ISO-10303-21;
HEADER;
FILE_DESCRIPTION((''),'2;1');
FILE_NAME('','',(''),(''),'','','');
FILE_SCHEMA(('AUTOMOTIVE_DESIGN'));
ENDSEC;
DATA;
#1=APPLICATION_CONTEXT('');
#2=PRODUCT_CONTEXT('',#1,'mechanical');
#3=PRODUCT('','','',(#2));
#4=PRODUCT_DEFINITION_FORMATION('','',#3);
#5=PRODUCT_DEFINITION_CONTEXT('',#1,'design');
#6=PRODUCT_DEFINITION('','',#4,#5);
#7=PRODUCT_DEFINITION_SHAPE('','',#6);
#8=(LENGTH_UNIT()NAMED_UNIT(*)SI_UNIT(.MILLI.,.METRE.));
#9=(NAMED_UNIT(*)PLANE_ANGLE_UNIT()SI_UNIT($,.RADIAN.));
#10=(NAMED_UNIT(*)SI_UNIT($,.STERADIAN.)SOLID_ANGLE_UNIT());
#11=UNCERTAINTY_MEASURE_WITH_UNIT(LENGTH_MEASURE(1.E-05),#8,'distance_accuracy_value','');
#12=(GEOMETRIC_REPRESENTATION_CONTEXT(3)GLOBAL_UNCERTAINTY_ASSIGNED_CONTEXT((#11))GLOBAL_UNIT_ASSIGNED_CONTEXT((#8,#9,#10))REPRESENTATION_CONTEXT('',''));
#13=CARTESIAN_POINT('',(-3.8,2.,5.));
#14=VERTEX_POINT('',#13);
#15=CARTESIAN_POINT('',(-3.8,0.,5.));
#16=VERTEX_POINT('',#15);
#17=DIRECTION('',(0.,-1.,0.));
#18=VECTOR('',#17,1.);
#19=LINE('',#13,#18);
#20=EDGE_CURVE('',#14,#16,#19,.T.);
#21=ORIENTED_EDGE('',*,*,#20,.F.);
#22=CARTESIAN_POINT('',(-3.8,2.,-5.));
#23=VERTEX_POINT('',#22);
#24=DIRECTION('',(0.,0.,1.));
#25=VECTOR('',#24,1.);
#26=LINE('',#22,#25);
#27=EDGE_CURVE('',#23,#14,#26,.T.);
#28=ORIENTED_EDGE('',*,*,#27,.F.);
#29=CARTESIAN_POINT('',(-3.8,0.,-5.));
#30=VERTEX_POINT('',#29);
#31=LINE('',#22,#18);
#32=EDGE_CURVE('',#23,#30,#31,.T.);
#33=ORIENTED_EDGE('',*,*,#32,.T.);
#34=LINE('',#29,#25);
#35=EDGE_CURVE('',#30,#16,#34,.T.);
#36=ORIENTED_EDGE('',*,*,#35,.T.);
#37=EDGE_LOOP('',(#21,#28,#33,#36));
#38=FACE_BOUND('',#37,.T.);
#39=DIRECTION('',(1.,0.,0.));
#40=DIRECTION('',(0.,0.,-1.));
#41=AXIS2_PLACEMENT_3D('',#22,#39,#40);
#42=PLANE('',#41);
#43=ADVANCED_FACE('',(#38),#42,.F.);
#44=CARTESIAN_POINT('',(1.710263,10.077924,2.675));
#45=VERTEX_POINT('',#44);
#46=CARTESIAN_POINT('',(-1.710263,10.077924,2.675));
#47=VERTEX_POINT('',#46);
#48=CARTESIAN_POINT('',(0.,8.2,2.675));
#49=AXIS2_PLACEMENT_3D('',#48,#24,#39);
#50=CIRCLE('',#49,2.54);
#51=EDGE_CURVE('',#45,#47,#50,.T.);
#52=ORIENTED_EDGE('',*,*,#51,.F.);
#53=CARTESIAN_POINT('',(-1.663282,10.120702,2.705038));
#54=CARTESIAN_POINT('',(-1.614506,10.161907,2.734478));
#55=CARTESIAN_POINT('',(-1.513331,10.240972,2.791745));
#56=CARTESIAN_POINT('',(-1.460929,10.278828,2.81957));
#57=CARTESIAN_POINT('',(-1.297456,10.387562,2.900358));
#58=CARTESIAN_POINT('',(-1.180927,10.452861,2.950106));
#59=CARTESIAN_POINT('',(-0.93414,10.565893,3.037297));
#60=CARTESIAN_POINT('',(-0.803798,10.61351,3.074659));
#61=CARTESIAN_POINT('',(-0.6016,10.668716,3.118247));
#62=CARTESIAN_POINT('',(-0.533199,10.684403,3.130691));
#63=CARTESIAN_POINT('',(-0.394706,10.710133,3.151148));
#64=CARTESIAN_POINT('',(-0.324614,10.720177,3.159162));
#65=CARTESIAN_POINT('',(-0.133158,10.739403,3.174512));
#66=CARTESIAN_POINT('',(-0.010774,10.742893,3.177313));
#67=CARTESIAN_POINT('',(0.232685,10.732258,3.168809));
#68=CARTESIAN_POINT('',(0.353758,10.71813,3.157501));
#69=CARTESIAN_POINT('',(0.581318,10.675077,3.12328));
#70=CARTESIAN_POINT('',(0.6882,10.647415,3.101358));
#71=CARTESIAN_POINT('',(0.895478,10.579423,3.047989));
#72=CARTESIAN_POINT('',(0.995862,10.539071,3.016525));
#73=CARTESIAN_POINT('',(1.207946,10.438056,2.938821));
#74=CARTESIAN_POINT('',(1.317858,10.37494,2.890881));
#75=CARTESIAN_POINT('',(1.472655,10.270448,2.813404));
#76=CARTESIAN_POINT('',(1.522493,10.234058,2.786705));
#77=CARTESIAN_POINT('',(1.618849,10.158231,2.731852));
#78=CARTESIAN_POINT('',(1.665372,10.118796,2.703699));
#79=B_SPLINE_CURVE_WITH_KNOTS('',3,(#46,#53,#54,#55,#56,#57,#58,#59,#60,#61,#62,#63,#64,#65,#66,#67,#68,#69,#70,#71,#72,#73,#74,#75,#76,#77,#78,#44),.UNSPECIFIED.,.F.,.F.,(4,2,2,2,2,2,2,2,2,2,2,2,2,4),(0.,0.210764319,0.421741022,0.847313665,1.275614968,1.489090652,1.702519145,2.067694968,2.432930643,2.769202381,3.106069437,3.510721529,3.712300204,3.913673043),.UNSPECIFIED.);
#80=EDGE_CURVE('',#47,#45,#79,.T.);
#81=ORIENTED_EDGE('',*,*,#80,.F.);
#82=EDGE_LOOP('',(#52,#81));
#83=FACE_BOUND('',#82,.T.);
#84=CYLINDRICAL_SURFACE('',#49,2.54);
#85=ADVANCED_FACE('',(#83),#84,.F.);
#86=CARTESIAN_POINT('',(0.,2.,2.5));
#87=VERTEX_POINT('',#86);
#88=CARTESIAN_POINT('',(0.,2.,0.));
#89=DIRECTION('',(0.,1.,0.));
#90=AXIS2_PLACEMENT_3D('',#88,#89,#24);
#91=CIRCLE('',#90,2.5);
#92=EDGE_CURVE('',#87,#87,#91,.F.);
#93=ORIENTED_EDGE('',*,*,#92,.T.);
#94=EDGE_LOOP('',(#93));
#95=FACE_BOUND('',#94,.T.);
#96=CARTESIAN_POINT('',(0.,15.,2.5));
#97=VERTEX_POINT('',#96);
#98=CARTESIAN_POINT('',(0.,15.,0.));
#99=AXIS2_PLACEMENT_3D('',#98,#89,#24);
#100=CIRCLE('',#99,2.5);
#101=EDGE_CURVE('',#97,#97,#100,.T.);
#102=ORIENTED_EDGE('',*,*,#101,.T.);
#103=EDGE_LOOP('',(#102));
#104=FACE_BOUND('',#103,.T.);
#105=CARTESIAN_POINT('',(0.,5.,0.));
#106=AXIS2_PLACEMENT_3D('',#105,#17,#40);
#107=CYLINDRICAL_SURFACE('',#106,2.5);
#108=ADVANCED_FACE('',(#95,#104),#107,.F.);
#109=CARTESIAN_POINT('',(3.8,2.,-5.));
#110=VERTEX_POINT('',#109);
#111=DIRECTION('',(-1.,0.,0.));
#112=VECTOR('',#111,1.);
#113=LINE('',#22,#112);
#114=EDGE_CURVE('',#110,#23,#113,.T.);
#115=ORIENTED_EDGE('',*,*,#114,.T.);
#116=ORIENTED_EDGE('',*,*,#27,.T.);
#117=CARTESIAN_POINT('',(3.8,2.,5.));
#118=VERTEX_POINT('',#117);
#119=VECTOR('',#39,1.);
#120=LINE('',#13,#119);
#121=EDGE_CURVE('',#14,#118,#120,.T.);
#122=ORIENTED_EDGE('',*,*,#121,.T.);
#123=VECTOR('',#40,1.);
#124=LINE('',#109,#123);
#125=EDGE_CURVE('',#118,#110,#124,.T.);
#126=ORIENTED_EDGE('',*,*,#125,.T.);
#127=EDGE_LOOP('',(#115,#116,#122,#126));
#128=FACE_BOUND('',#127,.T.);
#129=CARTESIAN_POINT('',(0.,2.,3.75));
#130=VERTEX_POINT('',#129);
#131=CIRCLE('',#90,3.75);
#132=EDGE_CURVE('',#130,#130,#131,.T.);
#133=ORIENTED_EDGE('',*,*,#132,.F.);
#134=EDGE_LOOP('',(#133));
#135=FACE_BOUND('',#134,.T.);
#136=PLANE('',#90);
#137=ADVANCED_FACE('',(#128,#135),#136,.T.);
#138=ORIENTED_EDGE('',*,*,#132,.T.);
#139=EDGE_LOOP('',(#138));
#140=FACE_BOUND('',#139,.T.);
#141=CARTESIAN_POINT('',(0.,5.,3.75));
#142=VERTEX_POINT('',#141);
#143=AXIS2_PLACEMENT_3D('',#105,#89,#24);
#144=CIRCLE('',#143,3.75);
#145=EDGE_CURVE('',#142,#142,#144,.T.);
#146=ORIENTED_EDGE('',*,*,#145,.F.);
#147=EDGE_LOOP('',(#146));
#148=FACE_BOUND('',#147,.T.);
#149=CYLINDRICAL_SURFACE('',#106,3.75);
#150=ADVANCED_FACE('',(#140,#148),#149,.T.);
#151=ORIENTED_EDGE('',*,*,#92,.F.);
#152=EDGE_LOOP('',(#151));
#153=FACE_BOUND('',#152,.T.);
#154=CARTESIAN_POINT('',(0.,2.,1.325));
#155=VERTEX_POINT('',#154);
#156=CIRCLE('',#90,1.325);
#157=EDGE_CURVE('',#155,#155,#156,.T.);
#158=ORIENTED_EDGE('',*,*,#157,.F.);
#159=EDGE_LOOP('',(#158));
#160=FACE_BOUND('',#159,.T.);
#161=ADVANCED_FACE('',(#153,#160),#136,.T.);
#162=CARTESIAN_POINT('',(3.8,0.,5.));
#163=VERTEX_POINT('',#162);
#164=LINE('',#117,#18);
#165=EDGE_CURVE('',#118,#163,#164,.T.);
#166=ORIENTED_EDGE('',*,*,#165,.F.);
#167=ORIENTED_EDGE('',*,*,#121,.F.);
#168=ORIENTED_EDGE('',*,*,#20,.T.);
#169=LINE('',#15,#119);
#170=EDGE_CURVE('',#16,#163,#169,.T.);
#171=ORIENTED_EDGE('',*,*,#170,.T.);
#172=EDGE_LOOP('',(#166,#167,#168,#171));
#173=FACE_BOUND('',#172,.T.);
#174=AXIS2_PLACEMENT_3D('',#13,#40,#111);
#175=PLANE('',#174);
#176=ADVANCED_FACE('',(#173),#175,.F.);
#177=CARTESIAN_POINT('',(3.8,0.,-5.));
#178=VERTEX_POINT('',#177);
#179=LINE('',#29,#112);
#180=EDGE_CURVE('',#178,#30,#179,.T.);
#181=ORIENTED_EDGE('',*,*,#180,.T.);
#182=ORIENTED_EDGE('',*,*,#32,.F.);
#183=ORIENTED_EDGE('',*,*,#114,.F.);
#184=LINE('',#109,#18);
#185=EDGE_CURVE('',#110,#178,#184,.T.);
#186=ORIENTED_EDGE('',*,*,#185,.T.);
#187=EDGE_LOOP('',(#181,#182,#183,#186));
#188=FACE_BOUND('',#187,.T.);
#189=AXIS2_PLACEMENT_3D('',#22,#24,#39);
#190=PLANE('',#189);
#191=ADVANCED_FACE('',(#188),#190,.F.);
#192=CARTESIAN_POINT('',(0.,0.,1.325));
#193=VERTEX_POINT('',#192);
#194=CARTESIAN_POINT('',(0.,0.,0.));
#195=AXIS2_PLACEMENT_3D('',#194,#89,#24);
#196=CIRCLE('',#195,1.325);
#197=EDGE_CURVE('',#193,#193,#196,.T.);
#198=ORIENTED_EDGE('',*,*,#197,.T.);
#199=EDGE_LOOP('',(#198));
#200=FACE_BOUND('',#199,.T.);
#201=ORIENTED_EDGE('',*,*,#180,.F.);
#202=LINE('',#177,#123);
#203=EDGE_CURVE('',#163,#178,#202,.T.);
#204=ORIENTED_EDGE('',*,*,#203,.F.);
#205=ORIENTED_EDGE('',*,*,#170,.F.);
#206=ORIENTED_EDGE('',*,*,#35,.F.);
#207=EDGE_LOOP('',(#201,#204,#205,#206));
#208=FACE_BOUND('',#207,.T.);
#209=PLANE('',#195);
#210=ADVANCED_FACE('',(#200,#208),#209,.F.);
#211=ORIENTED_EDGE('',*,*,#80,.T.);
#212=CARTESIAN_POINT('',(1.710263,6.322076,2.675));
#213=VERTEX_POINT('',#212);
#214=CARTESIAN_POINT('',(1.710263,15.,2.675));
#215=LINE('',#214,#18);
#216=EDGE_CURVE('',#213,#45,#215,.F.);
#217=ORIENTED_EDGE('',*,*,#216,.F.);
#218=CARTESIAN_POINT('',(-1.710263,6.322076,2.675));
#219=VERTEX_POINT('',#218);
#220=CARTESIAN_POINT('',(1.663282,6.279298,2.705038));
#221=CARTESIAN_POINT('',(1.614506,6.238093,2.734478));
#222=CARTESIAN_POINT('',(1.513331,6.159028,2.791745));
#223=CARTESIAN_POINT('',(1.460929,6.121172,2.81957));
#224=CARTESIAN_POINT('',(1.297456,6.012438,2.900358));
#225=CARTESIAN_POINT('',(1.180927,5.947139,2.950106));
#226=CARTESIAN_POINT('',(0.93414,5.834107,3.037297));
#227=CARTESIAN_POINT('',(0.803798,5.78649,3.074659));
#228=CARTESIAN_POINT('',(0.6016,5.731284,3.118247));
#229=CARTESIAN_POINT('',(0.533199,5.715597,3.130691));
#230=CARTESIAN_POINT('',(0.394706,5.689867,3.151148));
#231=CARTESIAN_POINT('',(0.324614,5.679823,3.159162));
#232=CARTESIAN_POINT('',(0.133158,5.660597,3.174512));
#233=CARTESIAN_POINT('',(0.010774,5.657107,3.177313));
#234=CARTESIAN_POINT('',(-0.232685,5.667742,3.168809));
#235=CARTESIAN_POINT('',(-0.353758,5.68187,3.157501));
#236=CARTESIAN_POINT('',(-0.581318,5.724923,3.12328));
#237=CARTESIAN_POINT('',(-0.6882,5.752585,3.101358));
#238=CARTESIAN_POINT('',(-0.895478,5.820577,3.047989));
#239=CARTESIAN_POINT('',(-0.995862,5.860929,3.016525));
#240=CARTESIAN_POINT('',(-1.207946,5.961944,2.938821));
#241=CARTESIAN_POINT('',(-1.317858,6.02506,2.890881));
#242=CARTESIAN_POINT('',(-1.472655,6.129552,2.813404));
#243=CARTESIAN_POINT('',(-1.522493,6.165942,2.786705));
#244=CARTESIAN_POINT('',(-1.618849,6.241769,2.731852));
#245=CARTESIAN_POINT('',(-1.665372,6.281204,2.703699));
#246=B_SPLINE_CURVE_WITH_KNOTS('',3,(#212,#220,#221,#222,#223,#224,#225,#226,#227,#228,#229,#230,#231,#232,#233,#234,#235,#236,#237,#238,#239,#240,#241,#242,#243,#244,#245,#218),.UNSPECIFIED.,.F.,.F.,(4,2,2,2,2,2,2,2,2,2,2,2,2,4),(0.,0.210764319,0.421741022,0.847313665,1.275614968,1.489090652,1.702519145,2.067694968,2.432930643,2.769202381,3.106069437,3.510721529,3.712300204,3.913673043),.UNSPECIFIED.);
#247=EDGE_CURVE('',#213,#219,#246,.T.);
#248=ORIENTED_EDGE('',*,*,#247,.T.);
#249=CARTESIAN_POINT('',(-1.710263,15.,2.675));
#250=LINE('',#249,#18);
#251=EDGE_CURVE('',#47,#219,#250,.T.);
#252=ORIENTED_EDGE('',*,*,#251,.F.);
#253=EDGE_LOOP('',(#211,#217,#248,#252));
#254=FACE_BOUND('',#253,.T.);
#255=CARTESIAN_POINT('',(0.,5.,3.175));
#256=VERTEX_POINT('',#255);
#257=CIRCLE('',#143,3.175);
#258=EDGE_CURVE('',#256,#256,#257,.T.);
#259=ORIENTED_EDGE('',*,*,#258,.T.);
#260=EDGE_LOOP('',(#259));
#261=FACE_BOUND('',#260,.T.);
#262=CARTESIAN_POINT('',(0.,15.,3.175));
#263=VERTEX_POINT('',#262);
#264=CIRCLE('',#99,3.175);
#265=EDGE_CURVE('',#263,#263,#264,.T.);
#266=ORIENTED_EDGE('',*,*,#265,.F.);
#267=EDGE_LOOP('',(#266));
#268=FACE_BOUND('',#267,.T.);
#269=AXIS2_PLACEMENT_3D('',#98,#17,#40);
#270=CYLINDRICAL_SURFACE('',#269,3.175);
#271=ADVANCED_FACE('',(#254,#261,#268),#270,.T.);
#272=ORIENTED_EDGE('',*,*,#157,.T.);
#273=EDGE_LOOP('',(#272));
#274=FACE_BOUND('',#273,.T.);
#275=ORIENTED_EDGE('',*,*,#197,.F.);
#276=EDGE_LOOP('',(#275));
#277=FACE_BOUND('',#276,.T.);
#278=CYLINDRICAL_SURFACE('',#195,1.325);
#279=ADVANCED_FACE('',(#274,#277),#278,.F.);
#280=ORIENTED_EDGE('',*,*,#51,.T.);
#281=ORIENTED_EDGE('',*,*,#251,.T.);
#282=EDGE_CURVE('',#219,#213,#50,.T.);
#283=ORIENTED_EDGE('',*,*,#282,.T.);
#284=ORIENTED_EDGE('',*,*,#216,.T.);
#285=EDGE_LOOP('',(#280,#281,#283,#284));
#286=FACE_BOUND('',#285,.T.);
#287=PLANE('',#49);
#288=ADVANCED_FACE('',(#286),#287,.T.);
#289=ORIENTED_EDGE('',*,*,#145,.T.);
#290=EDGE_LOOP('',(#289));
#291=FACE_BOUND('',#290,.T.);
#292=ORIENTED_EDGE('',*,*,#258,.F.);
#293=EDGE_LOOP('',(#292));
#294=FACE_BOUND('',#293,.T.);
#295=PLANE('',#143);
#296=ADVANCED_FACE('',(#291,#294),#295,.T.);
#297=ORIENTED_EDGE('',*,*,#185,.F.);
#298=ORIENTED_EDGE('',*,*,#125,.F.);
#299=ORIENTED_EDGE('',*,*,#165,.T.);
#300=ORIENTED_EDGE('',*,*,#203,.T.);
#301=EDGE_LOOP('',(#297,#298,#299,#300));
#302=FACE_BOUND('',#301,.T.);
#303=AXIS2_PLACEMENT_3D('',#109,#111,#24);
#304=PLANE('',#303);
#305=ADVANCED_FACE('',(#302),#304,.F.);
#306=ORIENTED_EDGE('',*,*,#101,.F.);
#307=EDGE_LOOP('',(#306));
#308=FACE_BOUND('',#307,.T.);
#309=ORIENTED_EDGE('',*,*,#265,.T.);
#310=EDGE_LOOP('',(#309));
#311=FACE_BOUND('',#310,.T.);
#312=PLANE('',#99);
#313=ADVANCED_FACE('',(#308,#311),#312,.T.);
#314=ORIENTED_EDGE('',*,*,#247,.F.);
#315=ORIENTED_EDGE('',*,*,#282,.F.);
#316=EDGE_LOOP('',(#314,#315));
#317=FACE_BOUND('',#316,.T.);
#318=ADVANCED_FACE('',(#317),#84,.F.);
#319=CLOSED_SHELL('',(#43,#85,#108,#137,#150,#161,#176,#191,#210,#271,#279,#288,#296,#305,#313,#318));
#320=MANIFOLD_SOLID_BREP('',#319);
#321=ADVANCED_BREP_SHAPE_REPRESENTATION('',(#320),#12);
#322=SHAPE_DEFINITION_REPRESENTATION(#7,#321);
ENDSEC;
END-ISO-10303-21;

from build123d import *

# Parameters (mm, degrees)
ESQUISSE1_W             = 7.6
ESQUISSE1_H             = 10
BOSS_EXTRU_1_DEPTH      = 2
ESQUISSE2_R             = 3.75
ESQUISSE2_R_2           = 2.5
BOSS_EXTRU_2_DEPTH      = 3
ESQUISSE3_R             = 3.175
ESQUISSE3_R_2           = 2.5
BOSS_EXTRU_3_DEPTH      = 10
ESQUISSE4_R             = 1.325
ENL_V_MAT_EXTRU_1_DEPTH = 15.437451299
ESQUISSE6_R             = 2.54
ENL_V_MAT_EXTRU_3_DEPTH = 0.5


with BuildPart() as part:
    # Esquisse1 → Boss.-Extru.1 (new body)
    with BuildSketch(Plane(origin=(0, 0, 0), x_dir=(1, 0, 0), z_dir=(0, 1, 0))):
        Rectangle(ESQUISSE1_W, ESQUISSE1_H)
    extrude(amount=BOSS_EXTRU_1_DEPTH)

    # Esquisse2 → Boss.-Extru.2 (add)
    with BuildSketch(Plane(origin=(0, 2, 0), x_dir=(1, 0, 0), z_dir=(0, 1, 0))):
        with Locations(Location((0, 0, 0), (0, 0, 270))):
            Circle(ESQUISSE2_R)
        with Locations(Location((0, 0, 0), (0, 0, 270))):
            Circle(ESQUISSE2_R_2, mode=Mode.SUBTRACT)
    extrude(amount=BOSS_EXTRU_2_DEPTH)

    # Esquisse3 → Boss.-Extru.3 (add)
    with BuildSketch(Plane(origin=(0, 5, 0), x_dir=(1, 0, 0), z_dir=(0, 1, 0))):
        with Locations(Location((0, 0, 0), (0, 0, 270))):
            Circle(ESQUISSE3_R)
        with Locations(Location((0, 0, 0), (0, 0, 270))):
            Circle(ESQUISSE3_R_2, mode=Mode.SUBTRACT)
    extrude(amount=BOSS_EXTRU_3_DEPTH)

    # Esquisse4 → Enlèv. mat.-Extru.1 (cut, through all)
    with BuildSketch(Plane(origin=(0, 2, 0), x_dir=(1, 0, 0), z_dir=(0, 1, 0))):
        with Locations(Location((0, 0, 0), (0, 0, 270))):
            Circle(ESQUISSE4_R)
    extrude(amount=-ENL_V_MAT_EXTRU_1_DEPTH, mode=Mode.SUBTRACT)

    # Esquisse6 → Enlèv. mat.-Extru.3 (cut)
    with BuildSketch(Plane.XY.offset(3.175)):
        with Locations((0, 8.2)):
            Circle(ESQUISSE6_R)
    extrude(amount=-ENL_V_MAT_EXTRU_3_DEPTH, mode=Mode.SUBTRACT)


solid = part.part
